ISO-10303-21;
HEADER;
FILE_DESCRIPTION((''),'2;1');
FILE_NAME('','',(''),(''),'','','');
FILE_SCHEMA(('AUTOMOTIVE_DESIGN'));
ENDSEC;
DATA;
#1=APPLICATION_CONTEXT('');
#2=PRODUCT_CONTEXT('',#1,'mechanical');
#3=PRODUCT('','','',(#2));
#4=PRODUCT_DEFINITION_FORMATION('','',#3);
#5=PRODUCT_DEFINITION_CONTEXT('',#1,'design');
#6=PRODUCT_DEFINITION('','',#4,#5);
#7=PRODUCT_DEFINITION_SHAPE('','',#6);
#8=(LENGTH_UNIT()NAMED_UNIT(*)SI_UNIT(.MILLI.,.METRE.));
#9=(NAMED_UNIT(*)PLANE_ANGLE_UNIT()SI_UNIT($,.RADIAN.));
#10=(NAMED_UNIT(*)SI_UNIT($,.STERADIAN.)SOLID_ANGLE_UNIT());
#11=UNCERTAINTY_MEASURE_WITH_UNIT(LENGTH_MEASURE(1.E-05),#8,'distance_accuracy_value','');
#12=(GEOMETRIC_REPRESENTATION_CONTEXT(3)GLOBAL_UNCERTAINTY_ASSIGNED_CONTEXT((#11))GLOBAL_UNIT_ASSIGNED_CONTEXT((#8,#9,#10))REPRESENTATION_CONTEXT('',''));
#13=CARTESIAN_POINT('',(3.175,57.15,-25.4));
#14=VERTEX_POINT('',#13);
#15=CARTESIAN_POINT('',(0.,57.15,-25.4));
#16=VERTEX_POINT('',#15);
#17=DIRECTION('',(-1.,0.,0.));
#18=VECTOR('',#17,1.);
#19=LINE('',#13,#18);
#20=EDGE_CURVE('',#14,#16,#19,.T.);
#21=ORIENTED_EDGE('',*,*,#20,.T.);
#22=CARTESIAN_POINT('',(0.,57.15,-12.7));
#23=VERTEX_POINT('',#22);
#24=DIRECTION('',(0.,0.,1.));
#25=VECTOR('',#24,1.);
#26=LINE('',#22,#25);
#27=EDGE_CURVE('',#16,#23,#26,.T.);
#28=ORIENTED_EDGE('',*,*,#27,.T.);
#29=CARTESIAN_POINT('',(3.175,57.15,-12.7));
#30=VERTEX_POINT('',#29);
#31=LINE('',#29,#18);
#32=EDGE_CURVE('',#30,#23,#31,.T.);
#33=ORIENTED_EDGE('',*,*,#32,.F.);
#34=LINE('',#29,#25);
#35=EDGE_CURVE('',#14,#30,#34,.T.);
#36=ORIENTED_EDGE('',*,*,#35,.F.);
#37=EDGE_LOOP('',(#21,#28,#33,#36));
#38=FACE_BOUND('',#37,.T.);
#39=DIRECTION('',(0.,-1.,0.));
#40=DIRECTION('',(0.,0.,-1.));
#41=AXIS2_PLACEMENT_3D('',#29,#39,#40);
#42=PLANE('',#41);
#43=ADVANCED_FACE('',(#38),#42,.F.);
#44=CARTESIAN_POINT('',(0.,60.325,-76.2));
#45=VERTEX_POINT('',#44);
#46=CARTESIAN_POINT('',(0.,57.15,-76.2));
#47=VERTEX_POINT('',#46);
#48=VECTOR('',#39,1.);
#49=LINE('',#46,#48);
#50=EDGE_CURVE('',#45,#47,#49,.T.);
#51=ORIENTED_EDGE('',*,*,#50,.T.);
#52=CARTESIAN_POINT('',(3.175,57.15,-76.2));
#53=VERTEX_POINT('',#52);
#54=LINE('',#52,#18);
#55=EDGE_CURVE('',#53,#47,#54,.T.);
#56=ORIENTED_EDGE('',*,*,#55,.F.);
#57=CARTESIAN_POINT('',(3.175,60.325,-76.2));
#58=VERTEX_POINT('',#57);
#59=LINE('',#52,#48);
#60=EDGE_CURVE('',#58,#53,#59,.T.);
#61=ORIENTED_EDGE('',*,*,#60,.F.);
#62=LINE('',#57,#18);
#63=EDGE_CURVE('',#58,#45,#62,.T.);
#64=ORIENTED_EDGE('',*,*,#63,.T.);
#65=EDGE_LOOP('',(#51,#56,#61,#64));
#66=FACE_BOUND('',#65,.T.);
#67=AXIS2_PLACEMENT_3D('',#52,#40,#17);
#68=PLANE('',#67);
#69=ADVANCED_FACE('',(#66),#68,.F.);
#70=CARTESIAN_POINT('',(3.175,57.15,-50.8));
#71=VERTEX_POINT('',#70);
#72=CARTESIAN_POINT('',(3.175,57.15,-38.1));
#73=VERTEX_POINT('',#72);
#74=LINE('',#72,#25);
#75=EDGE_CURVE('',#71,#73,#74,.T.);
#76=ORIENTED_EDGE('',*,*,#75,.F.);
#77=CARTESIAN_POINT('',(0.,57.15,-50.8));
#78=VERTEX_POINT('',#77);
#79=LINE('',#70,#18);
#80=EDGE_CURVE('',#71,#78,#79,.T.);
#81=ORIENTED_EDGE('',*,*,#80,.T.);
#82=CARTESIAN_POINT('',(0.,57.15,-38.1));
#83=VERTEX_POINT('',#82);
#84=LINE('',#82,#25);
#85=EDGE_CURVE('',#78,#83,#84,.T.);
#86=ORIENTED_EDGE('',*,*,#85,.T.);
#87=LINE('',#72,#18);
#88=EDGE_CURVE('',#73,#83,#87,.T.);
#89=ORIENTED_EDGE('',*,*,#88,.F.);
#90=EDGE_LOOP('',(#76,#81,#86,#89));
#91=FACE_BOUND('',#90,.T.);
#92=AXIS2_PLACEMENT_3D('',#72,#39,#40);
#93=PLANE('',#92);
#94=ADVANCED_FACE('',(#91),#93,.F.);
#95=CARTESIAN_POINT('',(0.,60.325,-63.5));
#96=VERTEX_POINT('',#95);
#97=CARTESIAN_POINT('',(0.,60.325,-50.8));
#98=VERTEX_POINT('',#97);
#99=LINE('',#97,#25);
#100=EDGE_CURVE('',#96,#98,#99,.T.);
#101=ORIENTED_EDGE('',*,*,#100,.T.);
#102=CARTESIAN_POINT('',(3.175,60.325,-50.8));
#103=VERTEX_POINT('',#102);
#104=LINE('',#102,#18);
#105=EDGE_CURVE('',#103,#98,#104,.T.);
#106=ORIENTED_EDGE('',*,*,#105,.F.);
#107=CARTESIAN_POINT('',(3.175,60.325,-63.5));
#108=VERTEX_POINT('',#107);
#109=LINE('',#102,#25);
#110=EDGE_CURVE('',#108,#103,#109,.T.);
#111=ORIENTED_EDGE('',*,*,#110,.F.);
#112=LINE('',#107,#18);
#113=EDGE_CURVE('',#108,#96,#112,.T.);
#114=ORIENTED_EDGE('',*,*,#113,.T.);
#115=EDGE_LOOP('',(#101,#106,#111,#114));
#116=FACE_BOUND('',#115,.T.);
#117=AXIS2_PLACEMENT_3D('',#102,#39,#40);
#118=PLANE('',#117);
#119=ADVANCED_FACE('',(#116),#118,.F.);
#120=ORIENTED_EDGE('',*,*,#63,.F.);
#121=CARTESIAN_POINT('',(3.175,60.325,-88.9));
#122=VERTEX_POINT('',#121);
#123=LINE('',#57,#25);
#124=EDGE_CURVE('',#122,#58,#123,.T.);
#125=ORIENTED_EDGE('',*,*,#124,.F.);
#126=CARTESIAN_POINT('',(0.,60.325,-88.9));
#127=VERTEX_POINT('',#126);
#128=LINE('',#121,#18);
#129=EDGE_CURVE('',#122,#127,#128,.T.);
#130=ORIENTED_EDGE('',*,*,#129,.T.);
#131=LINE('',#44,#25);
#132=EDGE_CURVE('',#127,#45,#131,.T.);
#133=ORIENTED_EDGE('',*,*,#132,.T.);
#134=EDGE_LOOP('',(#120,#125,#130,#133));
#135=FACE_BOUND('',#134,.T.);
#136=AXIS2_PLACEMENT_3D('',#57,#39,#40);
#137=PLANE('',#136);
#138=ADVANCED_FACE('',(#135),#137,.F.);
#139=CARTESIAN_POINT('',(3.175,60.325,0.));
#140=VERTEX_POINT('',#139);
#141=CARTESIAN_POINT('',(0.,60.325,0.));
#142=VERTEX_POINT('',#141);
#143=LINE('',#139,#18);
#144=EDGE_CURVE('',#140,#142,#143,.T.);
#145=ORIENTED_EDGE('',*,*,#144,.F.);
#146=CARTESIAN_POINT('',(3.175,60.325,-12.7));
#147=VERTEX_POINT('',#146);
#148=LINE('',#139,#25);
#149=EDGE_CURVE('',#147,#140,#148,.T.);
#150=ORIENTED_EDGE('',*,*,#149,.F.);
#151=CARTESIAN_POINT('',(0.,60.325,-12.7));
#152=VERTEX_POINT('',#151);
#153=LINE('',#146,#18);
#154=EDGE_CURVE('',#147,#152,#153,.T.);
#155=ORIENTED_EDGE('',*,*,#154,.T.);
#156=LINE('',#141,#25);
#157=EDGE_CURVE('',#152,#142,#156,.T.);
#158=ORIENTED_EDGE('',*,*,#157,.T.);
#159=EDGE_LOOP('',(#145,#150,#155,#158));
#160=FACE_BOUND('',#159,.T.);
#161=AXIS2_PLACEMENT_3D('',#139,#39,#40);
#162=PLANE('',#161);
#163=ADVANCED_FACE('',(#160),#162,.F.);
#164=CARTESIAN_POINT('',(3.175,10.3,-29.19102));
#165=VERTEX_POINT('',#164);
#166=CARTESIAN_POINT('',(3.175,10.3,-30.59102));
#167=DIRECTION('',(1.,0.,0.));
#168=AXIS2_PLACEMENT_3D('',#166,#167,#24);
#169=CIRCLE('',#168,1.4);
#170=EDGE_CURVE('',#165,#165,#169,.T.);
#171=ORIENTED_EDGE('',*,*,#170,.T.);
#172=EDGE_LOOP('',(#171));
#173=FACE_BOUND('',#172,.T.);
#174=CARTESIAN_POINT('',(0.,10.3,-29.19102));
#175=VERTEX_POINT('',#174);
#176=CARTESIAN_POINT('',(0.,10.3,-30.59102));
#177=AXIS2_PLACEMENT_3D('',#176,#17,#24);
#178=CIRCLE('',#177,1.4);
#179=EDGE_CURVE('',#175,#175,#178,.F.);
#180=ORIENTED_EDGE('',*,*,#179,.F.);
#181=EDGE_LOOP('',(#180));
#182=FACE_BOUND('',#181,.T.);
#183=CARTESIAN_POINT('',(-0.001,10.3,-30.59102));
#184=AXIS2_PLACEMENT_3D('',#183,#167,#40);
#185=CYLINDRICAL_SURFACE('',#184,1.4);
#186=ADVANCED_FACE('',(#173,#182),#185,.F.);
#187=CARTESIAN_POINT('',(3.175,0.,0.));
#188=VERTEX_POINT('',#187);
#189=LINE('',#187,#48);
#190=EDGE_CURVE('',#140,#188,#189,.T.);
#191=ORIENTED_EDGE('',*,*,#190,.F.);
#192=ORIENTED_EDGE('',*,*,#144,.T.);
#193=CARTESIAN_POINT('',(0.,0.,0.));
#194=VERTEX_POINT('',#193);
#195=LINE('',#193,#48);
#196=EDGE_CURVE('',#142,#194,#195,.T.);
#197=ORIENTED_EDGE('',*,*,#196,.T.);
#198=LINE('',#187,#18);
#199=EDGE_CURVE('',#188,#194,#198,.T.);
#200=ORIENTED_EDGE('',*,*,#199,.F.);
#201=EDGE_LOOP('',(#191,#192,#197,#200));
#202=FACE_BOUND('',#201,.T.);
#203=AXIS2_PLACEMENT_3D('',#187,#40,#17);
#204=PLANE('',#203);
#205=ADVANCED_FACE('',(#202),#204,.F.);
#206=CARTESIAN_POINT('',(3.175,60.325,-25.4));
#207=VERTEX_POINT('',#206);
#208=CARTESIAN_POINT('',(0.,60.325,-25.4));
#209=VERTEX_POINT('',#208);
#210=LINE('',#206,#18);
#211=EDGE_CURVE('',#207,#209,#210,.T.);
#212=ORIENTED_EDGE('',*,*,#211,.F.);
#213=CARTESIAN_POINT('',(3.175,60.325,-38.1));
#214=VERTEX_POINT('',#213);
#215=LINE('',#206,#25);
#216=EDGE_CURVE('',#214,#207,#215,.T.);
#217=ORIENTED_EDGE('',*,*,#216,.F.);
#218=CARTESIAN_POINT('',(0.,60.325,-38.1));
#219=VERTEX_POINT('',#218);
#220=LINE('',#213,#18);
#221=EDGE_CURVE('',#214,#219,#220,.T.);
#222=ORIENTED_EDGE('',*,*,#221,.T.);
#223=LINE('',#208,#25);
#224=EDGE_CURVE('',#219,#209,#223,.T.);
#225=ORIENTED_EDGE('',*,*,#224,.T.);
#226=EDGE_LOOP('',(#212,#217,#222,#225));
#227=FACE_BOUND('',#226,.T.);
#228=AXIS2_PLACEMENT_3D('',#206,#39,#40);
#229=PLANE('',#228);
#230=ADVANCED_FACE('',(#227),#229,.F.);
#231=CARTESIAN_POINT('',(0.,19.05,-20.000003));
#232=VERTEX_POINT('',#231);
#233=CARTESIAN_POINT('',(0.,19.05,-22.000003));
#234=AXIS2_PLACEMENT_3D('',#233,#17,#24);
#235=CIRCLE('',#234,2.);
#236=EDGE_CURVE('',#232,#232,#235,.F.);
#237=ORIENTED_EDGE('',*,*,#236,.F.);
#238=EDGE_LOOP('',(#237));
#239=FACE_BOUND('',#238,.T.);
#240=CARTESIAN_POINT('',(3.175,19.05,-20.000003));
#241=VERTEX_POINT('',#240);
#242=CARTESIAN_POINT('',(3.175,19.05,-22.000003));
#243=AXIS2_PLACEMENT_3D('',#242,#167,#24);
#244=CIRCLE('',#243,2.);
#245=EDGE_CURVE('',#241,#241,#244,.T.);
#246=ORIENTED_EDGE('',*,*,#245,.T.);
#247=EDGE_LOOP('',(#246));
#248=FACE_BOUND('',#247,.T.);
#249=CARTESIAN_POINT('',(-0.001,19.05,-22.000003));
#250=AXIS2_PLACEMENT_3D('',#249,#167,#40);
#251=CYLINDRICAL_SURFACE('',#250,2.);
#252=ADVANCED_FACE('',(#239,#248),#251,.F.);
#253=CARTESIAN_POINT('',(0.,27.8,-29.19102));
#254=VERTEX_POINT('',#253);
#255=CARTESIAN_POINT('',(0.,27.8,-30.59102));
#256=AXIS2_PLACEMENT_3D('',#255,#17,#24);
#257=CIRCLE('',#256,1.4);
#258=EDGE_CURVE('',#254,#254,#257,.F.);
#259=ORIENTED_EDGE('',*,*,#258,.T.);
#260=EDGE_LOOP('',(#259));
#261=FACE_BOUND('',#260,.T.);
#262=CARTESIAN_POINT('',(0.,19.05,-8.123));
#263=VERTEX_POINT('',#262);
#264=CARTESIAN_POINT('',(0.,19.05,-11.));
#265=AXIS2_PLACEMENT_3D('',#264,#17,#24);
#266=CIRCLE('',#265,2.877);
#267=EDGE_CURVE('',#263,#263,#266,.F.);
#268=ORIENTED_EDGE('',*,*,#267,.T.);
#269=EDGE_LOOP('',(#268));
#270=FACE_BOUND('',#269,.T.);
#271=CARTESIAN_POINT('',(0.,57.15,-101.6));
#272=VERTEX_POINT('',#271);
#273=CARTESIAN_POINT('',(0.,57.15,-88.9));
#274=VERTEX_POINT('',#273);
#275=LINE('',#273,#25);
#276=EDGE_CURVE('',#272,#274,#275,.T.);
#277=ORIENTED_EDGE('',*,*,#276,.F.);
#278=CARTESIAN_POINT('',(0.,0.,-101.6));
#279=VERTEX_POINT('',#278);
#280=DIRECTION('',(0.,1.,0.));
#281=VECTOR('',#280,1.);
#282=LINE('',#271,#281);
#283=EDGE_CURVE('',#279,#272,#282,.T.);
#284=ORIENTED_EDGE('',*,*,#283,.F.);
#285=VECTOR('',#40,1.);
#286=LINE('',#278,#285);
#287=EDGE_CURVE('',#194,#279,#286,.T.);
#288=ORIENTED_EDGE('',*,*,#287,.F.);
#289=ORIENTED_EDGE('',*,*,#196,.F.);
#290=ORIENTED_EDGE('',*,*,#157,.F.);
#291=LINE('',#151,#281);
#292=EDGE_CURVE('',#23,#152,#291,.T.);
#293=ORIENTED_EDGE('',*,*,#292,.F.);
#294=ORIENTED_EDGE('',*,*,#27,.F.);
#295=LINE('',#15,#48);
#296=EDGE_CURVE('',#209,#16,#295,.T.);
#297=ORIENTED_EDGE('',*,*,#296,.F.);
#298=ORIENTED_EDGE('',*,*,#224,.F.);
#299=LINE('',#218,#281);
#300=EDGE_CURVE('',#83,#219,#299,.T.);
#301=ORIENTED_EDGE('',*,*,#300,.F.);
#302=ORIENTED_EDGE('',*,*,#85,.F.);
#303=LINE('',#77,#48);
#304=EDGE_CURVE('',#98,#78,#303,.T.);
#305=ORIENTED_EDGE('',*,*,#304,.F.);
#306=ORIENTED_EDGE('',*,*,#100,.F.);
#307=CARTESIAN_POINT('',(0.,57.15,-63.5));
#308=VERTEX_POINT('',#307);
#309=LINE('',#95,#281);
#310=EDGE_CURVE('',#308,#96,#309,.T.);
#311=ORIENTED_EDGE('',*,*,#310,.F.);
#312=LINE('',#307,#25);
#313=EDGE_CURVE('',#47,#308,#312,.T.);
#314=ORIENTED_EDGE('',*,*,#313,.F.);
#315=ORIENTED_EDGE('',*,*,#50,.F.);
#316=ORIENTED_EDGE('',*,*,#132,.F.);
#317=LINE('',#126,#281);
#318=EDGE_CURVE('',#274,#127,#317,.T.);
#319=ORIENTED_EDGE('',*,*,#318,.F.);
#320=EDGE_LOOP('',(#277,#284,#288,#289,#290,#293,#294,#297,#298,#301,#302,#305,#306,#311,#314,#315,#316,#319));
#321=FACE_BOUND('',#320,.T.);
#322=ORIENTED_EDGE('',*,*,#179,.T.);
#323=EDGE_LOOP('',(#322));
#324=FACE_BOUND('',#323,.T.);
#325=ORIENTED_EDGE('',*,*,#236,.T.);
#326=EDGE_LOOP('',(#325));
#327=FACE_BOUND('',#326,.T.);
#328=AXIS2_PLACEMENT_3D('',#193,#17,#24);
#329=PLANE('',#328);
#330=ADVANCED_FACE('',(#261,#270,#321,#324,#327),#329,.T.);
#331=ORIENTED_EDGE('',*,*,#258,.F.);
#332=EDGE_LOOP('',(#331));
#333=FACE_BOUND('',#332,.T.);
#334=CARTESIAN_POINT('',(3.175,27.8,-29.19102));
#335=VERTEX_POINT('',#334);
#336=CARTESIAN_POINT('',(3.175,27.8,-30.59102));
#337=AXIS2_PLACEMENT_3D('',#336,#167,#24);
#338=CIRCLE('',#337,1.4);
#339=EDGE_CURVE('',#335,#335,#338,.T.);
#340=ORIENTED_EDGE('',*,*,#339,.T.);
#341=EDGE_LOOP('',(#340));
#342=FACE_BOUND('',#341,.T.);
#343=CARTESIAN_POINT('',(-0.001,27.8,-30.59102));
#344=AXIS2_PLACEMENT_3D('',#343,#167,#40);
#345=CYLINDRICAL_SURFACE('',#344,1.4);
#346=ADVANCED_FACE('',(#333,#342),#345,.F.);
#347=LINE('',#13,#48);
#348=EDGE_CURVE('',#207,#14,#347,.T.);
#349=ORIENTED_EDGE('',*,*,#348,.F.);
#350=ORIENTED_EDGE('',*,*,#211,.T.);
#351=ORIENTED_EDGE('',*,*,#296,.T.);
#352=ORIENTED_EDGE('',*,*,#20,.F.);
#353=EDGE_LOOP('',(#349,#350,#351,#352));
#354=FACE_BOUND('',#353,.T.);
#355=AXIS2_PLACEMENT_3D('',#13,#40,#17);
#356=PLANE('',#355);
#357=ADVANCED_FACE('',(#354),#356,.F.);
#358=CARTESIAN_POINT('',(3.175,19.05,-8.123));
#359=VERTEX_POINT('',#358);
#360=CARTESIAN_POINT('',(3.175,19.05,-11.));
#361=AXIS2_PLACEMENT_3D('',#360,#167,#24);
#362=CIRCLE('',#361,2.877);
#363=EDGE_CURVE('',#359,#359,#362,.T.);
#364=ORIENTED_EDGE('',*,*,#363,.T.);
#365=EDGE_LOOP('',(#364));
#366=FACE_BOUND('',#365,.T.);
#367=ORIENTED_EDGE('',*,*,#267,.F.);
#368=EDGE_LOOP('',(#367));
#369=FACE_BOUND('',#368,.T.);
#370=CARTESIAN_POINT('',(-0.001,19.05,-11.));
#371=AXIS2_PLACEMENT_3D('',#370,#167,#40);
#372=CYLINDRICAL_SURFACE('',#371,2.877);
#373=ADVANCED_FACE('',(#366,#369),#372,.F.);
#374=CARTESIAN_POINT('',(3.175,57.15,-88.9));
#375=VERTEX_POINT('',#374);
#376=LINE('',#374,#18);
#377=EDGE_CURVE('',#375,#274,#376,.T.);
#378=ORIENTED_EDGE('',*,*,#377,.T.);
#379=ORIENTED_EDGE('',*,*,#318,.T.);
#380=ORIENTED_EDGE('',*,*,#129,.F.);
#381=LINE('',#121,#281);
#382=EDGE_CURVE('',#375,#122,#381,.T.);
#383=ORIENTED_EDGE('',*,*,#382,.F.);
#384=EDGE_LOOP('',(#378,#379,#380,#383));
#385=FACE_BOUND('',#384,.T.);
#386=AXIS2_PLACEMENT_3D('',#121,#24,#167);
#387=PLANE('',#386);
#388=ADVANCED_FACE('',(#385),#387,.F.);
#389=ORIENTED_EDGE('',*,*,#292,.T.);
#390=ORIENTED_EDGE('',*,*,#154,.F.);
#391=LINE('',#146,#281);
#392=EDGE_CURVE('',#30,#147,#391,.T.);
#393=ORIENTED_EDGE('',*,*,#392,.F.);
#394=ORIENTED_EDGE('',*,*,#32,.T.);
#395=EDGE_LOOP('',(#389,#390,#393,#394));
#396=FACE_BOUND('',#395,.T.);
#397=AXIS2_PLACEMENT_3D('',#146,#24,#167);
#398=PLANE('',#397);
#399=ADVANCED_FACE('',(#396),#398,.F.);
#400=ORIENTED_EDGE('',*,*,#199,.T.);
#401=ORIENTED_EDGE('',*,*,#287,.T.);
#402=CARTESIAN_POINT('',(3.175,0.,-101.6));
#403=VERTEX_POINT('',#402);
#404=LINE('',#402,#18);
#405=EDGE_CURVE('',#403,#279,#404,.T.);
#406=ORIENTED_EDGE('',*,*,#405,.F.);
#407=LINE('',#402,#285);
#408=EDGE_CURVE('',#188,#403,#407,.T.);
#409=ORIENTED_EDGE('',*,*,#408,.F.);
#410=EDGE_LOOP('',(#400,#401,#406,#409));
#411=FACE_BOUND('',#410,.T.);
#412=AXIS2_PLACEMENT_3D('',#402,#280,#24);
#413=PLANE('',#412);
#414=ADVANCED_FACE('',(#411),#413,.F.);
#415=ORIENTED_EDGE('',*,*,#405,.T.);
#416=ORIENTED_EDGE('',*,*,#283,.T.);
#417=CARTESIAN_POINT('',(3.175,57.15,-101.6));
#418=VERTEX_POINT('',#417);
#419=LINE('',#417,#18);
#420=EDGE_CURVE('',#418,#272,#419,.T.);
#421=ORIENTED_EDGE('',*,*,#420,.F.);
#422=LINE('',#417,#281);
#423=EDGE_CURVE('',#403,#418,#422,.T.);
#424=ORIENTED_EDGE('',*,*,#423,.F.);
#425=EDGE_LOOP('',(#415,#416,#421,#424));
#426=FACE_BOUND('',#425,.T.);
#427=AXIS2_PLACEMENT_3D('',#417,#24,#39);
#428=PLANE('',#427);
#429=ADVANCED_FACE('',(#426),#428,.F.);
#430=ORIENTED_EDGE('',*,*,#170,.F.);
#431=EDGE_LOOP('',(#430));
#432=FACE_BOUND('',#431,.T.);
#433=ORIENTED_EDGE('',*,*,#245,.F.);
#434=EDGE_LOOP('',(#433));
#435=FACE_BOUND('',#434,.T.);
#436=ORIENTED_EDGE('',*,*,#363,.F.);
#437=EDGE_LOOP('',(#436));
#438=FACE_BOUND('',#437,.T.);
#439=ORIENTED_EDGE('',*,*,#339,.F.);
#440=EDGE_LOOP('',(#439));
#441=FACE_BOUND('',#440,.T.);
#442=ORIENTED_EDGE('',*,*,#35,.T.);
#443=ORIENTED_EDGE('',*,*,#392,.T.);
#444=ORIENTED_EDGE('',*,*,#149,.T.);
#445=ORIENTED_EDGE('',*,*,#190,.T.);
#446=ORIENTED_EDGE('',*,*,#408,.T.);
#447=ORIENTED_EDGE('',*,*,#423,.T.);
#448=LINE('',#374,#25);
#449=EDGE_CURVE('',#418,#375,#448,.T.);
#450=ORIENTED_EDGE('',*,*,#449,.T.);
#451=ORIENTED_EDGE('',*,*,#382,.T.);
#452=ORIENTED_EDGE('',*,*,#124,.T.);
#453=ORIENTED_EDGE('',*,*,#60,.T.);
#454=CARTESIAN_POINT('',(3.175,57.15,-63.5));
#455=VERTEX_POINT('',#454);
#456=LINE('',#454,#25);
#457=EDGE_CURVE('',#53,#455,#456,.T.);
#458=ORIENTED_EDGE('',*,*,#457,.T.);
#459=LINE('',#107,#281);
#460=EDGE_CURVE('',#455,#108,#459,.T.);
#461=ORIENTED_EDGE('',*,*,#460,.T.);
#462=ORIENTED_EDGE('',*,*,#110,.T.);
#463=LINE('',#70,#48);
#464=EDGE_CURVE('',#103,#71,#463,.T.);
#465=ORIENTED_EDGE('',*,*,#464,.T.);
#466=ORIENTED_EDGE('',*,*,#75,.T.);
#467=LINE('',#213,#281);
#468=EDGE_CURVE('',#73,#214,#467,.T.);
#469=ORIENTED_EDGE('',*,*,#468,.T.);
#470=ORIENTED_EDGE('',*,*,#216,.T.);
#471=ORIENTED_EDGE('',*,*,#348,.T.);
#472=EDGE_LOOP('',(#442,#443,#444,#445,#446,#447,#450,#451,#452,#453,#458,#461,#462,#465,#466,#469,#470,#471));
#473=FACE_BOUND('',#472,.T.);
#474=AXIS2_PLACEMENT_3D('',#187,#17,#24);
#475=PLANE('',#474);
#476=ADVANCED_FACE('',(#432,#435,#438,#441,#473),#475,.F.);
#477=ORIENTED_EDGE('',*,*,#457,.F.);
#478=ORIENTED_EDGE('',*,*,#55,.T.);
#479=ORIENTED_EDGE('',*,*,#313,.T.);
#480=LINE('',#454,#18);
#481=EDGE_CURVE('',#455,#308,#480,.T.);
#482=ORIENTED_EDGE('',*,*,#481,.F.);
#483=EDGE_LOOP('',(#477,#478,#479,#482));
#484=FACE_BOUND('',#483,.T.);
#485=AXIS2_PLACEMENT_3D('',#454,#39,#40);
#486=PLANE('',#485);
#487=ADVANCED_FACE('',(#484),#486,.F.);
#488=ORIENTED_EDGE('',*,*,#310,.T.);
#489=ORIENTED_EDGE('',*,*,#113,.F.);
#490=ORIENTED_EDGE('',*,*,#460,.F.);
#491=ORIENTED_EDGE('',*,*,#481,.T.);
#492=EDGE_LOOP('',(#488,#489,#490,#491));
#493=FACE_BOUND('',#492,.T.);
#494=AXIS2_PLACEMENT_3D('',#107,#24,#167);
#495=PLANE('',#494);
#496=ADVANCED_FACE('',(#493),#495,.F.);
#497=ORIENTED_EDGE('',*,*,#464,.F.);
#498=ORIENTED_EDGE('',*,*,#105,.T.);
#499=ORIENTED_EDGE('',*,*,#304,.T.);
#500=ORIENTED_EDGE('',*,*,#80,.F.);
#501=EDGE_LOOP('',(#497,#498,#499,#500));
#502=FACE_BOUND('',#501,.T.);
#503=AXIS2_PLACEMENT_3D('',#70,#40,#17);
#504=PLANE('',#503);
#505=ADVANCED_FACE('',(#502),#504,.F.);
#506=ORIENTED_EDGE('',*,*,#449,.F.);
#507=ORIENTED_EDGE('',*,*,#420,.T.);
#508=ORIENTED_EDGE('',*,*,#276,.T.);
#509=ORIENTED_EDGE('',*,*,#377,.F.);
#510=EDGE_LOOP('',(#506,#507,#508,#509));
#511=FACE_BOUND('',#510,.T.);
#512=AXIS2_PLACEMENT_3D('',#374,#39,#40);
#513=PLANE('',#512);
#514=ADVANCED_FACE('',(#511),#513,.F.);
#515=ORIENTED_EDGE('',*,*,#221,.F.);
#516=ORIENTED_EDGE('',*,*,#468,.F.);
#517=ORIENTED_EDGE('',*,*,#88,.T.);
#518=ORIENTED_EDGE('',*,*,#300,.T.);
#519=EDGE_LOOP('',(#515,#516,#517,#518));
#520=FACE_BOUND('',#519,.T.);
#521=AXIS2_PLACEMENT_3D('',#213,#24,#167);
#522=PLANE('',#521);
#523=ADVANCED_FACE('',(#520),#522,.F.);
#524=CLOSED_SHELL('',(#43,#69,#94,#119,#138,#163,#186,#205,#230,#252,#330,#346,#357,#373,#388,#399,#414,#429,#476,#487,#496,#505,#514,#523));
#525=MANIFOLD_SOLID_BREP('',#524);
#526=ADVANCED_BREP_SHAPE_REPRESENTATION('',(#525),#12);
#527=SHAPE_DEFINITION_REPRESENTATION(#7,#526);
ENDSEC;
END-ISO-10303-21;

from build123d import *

# Parameters (mm, degrees)
BOSS_EXTRUDE1_DEPTH = 3.175
CUT_EXTRUDE1_REACH  = 5.175
SKETCH2_R           = 1.4
SKETCH2_R_2         = 2
SKETCH2_R_3         = 2.876999961


with BuildPart() as part:
    # Sketch1 → Boss-Extrude1 (new body)
    with BuildSketch(Plane(origin=(0, 0, 0), x_dir=(0, 0, -1), z_dir=(1, 0, 0))):
        Polygon((0, 0), (0, 60.325), (12.7, 60.325), (12.7, 57.15), (25.4, 57.15), (25.4, 60.325), (38.1, 60.325), (38.1, 57.15), (50.8, 57.15), (50.8, 60.325), (63.5, 60.325), (63.5, 57.15), (76.2, 57.15), (76.2, 60.325), (88.9, 60.325), (88.9, 57.15), (101.6, 57.15), (101.6, 0), align=None)
    extrude(amount=BOSS_EXTRUDE1_DEPTH)

    # Sketch2 → Cut-Extrude1 (cut, up to next)
    with BuildSketch(Plane(origin=(3.175, 0, 0), x_dir=(0, 0, -1), z_dir=(1, 0, 0)), mode=Mode.PRIVATE) as cut_extrude1_sk1:
        with Locations((30.59102, 10.3)):
            Circle(SKETCH2_R)
    cut_extrude1_tool1 = extrude(cut_extrude1_sk1.sketch, amount=-CUT_EXTRUDE1_REACH, mode=Mode.PRIVATE) & part.part
    add(cut_extrude1_tool1.solids().sort_by_distance((3.175, 10.3, -30.59102))[0], mode=Mode.SUBTRACT)
    # Sketch2 → Cut-Extrude1 (cut, up to next)
    with BuildSketch(Plane(origin=(3.175, 0, 0), x_dir=(0, 0, -1), z_dir=(1, 0, 0)), mode=Mode.PRIVATE) as cut_extrude1_sk2:
        with Locations((30.59102, 27.8)):
            Circle(SKETCH2_R)
    cut_extrude1_tool2 = extrude(cut_extrude1_sk2.sketch, amount=-CUT_EXTRUDE1_REACH, mode=Mode.PRIVATE) & part.part
    add(cut_extrude1_tool2.solids().sort_by_distance((3.175, 27.8, -30.59102))[0], mode=Mode.SUBTRACT)
    # Sketch2 → Cut-Extrude1 (cut, up to next)
    with BuildSketch(Plane(origin=(3.175, 0, 0), x_dir=(0, 0, -1), z_dir=(1, 0, 0)), mode=Mode.PRIVATE) as cut_extrude1_sk3:
        with Locations((22.0000034, 19.05)):
            Circle(SKETCH2_R_2)
    cut_extrude1_tool3 = extrude(cut_extrude1_sk3.sketch, amount=-CUT_EXTRUDE1_REACH, mode=Mode.PRIVATE) & part.part
    add(cut_extrude1_tool3.solids().sort_by_distance((3.175, 19.05, -22.000003))[0], mode=Mode.SUBTRACT)
    # Sketch2 → Cut-Extrude1 (cut, up to next)
    with BuildSketch(Plane(origin=(3.175, 0, 0), x_dir=(0, 0, -1), z_dir=(1, 0, 0)), mode=Mode.PRIVATE) as cut_extrude1_sk4:
        with Locations((11, 19.05)):
            Circle(SKETCH2_R_3)
    cut_extrude1_tool4 = extrude(cut_extrude1_sk4.sketch, amount=-CUT_EXTRUDE1_REACH, mode=Mode.PRIVATE) & part.part
    add(cut_extrude1_tool4.solids().sort_by_distance((3.175, 19.05, -11))[0], mode=Mode.SUBTRACT)


solid = part.part
